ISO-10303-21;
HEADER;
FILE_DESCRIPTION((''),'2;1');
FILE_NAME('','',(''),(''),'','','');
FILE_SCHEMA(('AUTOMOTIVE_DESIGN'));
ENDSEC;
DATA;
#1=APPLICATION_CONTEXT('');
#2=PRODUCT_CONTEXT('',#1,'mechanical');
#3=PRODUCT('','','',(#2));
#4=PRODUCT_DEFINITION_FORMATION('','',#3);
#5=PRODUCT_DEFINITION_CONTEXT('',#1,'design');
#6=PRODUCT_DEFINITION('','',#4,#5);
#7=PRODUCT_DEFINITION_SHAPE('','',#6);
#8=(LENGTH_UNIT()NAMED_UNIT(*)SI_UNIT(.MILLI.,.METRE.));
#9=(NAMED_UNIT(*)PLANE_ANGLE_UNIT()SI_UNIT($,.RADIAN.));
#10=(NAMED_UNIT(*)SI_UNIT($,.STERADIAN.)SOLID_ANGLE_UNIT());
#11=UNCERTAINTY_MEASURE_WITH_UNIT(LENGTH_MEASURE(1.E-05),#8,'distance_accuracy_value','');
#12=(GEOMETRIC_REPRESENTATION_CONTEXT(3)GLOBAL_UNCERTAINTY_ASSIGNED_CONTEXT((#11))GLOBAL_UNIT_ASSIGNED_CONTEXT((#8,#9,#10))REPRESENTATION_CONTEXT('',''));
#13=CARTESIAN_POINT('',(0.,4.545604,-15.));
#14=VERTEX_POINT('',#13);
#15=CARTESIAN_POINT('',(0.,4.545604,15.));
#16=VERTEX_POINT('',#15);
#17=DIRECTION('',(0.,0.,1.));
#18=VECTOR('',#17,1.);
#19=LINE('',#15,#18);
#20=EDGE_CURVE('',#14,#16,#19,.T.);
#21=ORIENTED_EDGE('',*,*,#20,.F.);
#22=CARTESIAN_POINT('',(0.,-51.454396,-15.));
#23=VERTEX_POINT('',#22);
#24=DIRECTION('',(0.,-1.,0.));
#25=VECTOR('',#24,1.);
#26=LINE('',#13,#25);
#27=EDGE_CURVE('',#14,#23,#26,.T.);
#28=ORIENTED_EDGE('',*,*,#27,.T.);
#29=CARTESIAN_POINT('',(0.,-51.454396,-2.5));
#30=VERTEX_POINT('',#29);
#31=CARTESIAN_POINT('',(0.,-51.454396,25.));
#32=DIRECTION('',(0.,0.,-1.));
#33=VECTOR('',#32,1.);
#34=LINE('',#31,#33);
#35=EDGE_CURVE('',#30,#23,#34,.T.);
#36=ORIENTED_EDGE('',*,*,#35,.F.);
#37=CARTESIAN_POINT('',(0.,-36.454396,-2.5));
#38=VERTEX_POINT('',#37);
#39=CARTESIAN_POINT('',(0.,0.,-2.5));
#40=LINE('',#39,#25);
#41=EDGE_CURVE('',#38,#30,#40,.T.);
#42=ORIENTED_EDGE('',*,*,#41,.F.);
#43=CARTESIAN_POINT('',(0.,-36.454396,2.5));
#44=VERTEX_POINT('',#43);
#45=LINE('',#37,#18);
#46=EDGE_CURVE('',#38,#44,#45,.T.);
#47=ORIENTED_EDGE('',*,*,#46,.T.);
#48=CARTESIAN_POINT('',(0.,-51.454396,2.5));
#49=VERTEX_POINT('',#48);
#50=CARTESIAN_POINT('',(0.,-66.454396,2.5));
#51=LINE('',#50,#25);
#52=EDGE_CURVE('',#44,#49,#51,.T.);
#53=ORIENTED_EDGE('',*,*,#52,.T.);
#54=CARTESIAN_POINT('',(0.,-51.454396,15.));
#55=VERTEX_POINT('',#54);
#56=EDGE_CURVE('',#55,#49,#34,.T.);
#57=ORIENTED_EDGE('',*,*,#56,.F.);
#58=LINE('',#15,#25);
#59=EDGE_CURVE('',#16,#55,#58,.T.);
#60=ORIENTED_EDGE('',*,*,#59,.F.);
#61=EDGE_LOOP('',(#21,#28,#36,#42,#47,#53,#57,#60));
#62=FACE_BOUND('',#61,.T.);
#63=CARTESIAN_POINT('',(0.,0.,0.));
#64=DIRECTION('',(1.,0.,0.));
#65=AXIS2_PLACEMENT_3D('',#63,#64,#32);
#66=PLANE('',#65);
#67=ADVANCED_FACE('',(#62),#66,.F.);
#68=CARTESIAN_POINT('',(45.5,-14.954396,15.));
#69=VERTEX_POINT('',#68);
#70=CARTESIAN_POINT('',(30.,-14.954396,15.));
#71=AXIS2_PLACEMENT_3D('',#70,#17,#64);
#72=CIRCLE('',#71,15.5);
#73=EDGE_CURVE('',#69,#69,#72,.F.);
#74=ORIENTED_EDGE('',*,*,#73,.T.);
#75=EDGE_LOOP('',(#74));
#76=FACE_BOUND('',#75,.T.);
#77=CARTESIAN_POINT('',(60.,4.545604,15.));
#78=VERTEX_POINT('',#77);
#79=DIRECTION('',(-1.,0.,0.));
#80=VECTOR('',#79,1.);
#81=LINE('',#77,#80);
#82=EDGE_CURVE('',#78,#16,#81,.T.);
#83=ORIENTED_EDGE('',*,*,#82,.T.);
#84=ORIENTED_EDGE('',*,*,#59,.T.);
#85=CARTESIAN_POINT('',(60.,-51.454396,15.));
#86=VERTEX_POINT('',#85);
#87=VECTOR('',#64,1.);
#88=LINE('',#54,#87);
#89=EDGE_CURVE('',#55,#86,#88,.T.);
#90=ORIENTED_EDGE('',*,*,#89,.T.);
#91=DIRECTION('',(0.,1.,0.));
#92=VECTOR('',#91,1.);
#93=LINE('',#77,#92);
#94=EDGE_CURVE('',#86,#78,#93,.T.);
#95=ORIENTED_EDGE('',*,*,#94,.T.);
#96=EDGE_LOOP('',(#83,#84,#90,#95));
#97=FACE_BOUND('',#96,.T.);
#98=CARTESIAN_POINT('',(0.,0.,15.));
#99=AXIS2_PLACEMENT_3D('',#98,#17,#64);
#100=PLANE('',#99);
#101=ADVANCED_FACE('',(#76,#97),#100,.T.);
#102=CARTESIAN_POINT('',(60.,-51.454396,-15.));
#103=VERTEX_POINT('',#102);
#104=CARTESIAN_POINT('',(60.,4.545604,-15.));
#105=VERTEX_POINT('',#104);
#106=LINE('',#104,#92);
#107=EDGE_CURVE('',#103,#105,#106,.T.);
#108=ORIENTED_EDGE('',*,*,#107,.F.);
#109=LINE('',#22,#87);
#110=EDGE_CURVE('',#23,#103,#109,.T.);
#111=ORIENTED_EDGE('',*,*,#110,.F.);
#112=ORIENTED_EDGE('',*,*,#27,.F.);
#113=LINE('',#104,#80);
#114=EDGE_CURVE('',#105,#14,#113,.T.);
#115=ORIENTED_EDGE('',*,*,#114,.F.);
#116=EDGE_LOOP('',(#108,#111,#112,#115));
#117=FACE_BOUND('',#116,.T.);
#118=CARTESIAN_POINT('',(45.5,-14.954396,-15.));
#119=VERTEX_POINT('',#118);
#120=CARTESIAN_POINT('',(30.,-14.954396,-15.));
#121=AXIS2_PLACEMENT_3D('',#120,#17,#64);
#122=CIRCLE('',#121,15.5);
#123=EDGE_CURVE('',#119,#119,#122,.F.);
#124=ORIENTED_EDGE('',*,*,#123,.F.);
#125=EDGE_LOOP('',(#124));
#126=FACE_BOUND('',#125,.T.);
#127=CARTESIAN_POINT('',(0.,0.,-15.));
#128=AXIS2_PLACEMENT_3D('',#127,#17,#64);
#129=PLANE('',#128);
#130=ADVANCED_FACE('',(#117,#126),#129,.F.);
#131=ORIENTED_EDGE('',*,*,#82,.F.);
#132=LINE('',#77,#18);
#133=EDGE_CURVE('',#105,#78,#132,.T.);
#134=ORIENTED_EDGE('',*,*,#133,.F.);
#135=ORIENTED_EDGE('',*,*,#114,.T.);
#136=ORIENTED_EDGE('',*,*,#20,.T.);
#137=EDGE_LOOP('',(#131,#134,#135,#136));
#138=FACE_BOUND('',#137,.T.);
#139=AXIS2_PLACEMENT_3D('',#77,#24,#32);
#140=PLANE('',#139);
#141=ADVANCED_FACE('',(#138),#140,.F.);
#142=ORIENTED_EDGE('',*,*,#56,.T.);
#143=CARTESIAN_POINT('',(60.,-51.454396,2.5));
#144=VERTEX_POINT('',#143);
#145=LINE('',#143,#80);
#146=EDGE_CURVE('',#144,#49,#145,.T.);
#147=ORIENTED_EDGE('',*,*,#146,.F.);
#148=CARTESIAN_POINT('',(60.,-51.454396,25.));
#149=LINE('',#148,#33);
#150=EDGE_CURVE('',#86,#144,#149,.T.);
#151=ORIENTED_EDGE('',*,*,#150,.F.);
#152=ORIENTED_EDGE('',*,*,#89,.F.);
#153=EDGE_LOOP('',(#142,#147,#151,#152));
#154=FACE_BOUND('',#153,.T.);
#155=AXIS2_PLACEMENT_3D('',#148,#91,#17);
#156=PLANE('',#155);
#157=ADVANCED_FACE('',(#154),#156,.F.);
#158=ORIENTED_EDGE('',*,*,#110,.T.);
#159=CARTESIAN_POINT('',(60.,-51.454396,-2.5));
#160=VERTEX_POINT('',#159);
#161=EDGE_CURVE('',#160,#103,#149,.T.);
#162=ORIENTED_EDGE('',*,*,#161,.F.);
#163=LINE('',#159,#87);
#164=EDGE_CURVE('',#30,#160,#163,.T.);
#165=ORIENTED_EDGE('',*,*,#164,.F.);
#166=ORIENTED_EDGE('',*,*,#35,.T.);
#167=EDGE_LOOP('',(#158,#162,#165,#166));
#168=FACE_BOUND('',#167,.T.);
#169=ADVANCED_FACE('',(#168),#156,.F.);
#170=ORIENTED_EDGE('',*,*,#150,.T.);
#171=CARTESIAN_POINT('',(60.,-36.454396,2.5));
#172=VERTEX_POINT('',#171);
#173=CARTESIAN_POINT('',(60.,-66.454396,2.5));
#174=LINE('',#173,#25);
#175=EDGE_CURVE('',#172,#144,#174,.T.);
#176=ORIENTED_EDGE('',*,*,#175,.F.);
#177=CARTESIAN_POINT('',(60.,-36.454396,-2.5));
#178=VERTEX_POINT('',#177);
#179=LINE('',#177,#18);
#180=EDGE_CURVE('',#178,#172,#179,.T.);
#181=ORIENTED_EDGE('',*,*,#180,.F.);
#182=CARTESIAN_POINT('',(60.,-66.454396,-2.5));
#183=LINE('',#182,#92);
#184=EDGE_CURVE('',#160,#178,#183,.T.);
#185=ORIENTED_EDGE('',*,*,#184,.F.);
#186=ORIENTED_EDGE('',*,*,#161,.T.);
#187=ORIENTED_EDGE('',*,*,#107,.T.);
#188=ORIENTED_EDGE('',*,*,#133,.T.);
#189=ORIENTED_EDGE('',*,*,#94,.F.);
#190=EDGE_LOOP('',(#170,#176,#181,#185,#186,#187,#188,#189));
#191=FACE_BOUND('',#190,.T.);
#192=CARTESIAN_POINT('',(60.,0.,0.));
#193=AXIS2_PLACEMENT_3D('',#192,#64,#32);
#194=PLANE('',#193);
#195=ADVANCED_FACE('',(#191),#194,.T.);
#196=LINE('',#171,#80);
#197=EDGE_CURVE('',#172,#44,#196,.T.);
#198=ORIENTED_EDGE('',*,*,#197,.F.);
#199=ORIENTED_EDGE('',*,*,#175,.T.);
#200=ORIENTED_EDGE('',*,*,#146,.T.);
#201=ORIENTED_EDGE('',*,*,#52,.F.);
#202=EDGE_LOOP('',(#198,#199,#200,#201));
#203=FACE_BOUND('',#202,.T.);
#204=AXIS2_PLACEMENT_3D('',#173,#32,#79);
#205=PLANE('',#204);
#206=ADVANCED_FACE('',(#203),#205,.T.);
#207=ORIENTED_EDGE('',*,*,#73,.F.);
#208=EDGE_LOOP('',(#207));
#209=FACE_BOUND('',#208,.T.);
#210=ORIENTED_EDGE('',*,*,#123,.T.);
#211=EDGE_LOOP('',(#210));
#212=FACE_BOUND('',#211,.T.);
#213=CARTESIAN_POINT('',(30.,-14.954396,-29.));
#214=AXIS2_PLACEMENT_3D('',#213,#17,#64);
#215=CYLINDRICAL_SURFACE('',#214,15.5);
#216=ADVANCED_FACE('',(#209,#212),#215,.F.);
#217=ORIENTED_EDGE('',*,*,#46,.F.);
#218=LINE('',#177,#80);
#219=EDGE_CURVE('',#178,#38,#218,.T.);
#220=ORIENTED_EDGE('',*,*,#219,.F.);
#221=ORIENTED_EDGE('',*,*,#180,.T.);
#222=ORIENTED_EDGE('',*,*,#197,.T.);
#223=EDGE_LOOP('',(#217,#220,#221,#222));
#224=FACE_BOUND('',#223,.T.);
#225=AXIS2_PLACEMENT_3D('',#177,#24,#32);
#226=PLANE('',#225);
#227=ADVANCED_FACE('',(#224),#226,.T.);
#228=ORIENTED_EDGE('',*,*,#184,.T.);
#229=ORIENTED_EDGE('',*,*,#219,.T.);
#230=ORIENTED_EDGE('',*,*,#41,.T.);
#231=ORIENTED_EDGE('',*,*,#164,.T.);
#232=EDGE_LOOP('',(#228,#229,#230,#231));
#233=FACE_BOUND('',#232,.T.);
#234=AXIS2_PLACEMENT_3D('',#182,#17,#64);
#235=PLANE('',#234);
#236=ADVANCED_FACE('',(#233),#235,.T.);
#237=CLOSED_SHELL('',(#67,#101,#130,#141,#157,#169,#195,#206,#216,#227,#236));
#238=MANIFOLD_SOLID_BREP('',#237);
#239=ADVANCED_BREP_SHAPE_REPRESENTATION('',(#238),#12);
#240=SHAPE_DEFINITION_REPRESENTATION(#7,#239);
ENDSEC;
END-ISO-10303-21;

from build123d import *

# Parameters (mm, degrees)
EXTRUDE_1_DEPTH          = 60
CUT_EXTRUDE_1_DEPTH      = 40
CUT_EXTRUDE_1_DEPTH_BACK = 29
SKETCH_4_R               = 15.5
SKETCH_5_W               = 5
SKETCH_5_H               = 30
CUT_EXTRUDE_2_DEPTH      = 83.900874001
CUT_EXTRUDE_START        = 25
SKETCH_6_W               = 60
SKETCH_6_H               = 56
CUT_EXTRUDE_3_DEPTH      = 10
CUT_EXTRUDE_START_2      = -15
SKETCH_7_W               = 60
SKETCH_7_H               = 56
CUT_EXTRUDE_4_DEPTH      = 10


with BuildPart() as part:
    # 스케치3 → 보스-돌출1 (new body)
    with BuildSketch(Plane(origin=(0, 0, 0), x_dir=(0, 0, -1), z_dir=(1, 0, 0))):
        Polygon((-25, -51.454396413), (25, -51.454396413), (15, 4.545603587), (-15, 4.545603587), align=None)
    extrude(amount=EXTRUDE_1_DEPTH)

    # 스케치4 → 컷-돌출1 (cut, two sides: drawn at the far end of the back side and taken through both)
    with BuildSketch(Plane.XY.offset(-CUT_EXTRUDE_1_DEPTH_BACK)):
        with Locations(Location((30, -14.954396413, 0), (0, 0, 90))):
            Circle(SKETCH_4_R)
    extrude(amount=CUT_EXTRUDE_1_DEPTH + CUT_EXTRUDE_1_DEPTH_BACK, mode=Mode.SUBTRACT)

    # 스케치5 → 컷-돌출2 (cut, through all)
    with BuildSketch(Plane(origin=(0, 0, 0), x_dir=(0, 0, -1), z_dir=(1, 0, 0))):
        with Locations((0, -51.454396413)):
            Rectangle(SKETCH_5_W, SKETCH_5_H)
    extrude(amount=CUT_EXTRUDE_2_DEPTH, mode=Mode.SUBTRACT)

    # 스케치6 → 컷-돌출3 (cut)
    with BuildSketch(Plane.XY.offset(CUT_EXTRUDE_START)):
        with Locations((30, -23.454396413)):
            Rectangle(SKETCH_6_W, SKETCH_6_H)
    extrude(amount=-CUT_EXTRUDE_3_DEPTH, mode=Mode.SUBTRACT)

    # 스케치7 → 컷-돌출4 (cut)
    with BuildSketch(Plane.XY.offset(CUT_EXTRUDE_START_2)):
        with Locations((30, -23.454396413)):
            Rectangle(SKETCH_7_W, SKETCH_7_H)
    extrude(amount=-CUT_EXTRUDE_4_DEPTH, mode=Mode.SUBTRACT)


solid = part.part
